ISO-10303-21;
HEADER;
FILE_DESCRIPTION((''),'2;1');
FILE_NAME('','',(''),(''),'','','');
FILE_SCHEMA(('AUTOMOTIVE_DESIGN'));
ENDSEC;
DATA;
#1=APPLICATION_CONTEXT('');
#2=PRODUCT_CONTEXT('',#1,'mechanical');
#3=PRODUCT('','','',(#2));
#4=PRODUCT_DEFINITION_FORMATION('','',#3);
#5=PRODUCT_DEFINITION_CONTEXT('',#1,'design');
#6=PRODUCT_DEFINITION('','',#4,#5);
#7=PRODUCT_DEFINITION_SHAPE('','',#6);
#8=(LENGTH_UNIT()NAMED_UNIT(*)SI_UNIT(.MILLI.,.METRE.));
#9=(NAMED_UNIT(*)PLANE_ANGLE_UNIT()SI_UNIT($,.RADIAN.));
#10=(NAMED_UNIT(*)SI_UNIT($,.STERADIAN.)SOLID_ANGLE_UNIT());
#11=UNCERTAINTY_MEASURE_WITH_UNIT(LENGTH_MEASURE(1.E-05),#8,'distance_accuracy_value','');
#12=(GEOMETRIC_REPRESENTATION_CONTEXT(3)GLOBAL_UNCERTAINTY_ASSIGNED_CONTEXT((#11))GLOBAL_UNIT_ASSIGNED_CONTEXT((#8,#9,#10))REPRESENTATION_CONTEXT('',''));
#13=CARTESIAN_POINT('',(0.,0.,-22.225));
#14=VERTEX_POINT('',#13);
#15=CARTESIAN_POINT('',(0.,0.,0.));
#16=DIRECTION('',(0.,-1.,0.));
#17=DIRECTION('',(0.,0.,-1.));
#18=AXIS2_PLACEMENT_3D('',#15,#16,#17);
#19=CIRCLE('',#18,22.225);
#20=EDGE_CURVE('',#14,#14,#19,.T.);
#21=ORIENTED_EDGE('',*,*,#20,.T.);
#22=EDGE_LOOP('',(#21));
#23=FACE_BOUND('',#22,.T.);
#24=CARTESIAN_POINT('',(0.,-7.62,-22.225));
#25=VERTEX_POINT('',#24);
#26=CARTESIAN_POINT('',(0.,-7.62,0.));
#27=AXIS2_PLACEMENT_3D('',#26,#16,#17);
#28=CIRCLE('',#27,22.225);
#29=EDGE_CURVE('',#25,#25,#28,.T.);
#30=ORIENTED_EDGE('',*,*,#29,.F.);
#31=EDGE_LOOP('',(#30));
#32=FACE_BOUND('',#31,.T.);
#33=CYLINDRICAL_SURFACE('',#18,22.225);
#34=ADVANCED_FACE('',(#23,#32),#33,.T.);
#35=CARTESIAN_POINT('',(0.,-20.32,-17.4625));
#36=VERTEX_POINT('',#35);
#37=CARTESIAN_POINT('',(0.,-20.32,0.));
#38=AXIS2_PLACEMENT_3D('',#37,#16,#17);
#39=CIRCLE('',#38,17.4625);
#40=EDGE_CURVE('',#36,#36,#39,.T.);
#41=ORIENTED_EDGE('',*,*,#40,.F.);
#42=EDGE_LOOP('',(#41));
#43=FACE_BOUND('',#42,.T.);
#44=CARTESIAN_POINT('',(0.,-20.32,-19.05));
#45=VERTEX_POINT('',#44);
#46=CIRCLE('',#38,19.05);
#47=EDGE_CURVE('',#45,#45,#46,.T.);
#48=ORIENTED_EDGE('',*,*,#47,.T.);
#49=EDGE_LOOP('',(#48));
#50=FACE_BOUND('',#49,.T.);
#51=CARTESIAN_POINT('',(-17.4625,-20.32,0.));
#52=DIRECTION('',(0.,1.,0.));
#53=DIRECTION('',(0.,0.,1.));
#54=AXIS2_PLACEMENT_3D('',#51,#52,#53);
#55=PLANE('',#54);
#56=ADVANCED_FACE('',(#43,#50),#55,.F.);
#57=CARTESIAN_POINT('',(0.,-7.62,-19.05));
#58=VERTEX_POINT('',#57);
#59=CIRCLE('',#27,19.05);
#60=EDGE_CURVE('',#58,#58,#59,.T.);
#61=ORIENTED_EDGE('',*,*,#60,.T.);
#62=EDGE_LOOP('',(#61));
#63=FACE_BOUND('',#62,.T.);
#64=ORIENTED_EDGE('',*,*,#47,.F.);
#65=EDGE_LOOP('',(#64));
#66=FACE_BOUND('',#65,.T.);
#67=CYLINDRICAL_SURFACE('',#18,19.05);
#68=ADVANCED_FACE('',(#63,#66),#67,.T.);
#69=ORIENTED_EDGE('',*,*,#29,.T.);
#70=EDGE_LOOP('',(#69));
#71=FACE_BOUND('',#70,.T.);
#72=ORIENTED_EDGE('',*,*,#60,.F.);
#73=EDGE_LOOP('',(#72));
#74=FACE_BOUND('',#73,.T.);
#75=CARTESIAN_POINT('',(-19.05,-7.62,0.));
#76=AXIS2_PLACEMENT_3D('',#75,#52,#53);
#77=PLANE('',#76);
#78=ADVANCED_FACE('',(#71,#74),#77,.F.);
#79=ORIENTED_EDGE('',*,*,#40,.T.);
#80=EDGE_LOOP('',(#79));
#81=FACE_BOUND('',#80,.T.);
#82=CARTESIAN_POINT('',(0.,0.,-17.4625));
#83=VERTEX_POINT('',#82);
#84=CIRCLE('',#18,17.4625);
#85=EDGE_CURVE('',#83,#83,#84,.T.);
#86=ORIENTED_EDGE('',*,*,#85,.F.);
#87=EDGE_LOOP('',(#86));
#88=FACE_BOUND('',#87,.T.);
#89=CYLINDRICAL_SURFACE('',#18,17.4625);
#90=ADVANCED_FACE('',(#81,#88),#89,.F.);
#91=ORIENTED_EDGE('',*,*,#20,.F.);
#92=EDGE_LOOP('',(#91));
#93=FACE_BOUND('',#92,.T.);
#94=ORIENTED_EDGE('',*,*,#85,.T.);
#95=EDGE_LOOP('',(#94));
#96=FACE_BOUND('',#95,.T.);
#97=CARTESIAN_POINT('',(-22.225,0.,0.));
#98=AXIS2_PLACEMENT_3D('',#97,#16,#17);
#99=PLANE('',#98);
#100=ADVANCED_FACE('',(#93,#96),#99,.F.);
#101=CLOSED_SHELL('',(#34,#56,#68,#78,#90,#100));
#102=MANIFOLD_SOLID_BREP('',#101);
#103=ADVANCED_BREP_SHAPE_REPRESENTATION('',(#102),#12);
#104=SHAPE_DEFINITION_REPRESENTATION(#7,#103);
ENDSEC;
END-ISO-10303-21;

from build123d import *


with BuildPart() as part:
    # Sketch1 → Revolve1 (revolve)
    with BuildSketch(Plane.XY):
        Polygon((-17.4625, 0), (-17.4625, -20.32), (-19.05, -20.32), (-19.05, -7.62), (-22.225, -7.62), (-22.225, 0), align=None)
    revolve(axis=Axis((0, 0, 0), (0, 1, 0)))


solid = part.part
